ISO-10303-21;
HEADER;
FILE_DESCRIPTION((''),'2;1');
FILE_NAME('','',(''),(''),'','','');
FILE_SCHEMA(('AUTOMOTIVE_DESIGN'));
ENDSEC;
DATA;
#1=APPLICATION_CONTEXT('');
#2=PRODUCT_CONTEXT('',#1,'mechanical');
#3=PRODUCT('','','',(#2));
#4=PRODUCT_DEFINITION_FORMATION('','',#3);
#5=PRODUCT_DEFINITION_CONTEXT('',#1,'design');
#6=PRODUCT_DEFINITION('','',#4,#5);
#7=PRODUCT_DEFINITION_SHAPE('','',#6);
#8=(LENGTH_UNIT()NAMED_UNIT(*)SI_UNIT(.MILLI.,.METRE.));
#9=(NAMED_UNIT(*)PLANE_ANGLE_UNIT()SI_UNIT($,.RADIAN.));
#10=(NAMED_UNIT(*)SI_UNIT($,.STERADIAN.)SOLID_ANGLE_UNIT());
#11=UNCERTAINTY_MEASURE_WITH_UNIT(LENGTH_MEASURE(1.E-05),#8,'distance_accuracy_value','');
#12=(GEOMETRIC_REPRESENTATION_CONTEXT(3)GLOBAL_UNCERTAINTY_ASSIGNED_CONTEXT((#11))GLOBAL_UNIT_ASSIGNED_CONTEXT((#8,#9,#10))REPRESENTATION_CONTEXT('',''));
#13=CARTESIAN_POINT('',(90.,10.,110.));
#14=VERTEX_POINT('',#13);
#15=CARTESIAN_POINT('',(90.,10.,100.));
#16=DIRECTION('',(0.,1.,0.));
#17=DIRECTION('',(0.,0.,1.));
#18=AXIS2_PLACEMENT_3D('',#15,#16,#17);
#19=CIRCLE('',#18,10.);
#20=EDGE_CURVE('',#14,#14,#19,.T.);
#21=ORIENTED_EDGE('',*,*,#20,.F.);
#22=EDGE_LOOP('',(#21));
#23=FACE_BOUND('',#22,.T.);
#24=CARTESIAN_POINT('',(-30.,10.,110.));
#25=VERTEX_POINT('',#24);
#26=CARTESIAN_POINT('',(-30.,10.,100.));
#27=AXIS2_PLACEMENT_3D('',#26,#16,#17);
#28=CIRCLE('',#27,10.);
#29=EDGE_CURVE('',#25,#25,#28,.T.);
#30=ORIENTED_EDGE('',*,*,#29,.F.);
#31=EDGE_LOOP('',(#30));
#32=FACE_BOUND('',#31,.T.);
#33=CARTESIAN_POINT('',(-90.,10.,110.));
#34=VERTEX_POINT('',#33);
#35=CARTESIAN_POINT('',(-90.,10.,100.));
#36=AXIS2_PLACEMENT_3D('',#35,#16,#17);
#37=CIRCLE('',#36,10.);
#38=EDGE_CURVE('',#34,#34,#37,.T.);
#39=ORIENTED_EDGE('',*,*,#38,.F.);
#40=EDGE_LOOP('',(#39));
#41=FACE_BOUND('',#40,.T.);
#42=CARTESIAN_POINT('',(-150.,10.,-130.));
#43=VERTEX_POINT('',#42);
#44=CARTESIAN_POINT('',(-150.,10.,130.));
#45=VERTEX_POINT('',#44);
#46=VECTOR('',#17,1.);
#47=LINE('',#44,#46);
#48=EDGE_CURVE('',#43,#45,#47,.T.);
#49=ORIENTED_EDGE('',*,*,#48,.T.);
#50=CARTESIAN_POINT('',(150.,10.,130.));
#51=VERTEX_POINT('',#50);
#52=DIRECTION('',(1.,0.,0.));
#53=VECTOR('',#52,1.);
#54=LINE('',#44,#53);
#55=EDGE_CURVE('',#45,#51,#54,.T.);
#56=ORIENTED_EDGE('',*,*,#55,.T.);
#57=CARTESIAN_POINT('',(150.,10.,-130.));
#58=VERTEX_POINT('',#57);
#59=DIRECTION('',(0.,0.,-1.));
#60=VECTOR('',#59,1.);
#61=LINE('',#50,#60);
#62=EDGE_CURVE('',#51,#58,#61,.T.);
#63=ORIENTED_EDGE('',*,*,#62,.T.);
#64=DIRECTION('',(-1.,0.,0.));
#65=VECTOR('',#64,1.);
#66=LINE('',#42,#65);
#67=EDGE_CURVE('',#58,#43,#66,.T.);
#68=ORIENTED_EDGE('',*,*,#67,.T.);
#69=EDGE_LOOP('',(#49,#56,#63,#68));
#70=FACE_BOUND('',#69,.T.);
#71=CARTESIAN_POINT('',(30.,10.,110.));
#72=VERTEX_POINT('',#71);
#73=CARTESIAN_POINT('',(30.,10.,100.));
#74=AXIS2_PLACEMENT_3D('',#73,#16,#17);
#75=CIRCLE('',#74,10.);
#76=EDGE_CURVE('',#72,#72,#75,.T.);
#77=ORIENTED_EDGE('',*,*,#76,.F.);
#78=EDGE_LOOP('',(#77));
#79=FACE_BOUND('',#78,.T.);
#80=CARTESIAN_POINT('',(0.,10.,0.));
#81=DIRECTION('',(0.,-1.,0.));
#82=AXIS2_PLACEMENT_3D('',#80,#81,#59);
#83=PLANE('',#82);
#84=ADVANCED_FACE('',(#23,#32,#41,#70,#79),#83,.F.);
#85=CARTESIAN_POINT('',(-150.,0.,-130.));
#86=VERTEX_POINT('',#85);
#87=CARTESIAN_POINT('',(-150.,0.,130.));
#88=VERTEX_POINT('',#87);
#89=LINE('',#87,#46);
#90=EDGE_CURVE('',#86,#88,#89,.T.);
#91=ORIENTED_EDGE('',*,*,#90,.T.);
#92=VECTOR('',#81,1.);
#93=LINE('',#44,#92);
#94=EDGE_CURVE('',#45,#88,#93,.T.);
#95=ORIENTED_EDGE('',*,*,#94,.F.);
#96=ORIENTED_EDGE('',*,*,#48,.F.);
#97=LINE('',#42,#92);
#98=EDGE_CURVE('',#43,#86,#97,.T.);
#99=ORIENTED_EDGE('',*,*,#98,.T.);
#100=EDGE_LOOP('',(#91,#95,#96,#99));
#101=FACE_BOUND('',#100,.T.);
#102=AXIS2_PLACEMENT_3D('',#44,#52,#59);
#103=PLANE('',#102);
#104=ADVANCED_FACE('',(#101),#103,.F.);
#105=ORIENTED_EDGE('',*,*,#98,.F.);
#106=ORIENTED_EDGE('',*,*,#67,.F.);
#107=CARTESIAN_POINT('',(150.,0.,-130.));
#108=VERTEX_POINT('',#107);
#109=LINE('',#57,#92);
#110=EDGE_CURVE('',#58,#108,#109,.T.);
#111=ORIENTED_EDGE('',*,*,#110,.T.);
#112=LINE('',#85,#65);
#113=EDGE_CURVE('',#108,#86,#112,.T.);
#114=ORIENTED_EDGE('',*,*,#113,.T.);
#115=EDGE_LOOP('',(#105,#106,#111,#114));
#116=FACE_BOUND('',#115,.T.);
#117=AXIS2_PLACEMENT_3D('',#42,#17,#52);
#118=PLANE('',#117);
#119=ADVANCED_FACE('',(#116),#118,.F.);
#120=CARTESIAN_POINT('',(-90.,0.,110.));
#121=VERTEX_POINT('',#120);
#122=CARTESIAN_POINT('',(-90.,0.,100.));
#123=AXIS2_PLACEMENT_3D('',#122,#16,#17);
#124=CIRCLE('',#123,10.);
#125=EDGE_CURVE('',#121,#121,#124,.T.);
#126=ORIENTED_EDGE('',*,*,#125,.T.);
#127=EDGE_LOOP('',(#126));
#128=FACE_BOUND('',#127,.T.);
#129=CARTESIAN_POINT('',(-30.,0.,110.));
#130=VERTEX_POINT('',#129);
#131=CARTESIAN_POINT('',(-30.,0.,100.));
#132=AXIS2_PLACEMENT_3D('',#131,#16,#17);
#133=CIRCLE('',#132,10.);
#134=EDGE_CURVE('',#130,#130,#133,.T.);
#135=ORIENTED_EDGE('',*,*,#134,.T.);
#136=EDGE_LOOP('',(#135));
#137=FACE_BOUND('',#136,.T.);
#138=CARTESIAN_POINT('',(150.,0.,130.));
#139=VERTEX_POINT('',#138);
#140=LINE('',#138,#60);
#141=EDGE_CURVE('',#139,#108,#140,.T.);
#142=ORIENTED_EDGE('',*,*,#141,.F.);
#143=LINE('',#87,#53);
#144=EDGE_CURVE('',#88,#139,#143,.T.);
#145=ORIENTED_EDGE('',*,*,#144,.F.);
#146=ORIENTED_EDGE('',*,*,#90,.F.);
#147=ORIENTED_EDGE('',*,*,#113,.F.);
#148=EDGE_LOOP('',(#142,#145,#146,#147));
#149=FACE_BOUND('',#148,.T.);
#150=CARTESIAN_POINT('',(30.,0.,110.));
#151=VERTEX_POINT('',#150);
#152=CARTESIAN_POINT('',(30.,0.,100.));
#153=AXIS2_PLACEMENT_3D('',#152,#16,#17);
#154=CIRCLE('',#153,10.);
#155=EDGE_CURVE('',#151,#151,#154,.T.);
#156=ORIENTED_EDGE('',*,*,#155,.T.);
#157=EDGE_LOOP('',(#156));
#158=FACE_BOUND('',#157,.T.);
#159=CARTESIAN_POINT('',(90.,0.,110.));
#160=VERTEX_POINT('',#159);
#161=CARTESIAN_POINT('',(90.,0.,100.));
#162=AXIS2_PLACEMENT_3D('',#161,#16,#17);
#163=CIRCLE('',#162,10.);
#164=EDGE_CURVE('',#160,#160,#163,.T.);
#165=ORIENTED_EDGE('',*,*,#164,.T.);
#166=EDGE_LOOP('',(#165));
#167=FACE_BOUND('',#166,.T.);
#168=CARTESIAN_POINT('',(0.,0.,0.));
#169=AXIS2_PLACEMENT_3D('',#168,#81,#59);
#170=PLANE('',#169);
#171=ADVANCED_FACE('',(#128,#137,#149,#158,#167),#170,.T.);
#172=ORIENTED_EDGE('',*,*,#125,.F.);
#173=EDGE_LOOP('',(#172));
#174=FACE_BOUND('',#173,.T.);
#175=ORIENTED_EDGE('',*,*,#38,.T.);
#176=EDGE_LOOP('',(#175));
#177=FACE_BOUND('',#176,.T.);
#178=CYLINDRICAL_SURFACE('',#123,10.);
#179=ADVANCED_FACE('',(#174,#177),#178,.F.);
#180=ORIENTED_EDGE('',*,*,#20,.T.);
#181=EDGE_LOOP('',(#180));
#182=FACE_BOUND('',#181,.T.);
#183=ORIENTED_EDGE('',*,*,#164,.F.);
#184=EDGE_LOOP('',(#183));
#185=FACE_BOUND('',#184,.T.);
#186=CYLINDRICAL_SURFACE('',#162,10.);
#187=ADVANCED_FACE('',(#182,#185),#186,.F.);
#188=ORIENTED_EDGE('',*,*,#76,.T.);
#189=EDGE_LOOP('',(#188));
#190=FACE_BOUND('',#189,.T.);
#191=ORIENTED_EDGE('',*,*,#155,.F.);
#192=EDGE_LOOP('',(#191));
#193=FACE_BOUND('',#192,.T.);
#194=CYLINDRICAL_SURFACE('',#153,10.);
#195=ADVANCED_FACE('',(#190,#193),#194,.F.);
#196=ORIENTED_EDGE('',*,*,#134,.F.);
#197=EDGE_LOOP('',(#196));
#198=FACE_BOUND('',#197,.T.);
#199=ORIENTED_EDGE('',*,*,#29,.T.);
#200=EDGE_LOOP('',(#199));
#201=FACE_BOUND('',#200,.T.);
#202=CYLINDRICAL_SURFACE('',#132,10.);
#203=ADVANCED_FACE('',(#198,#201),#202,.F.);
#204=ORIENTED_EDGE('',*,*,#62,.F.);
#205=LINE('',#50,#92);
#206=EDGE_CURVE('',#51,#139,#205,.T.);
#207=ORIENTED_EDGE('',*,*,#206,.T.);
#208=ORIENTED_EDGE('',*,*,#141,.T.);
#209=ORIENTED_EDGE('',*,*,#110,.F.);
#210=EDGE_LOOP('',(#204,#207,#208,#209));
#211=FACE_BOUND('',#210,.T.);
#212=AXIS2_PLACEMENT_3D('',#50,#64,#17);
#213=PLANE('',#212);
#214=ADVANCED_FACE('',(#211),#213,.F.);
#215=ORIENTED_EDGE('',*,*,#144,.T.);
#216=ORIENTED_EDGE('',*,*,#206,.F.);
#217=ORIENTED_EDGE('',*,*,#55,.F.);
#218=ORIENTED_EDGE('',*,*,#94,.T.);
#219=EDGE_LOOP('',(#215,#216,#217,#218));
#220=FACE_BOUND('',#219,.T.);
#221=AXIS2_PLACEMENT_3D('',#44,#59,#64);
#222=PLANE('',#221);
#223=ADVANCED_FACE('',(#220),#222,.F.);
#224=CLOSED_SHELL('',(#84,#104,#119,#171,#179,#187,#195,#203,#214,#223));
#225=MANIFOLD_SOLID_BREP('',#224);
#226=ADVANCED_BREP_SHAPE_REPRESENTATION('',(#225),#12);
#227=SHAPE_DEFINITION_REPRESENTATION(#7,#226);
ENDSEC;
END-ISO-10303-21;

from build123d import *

# Parameters (mm, degrees)
SKETCH1_W           = 300
SKETCH1_H           = 260
BOSS_EXTRUDE1_DEPTH = 10
SKETCH2_R           = 10
CUT_EXTRUDE1_DEPTH  = 199.746069144
LPATTERN1_COUNT     = 4
LPATTERN1_PITCH     = 60


with BuildPart() as part:
    # Sketch1 → Boss-Extrude1 (new body)
    with BuildSketch(Plane(origin=(0, 0, 0), x_dir=(1, 0, 0), z_dir=(0, 1, 0))):
        Rectangle(SKETCH1_W, SKETCH1_H)
    extrude(amount=BOSS_EXTRUDE1_DEPTH)

    # Sketch2 → Cut-Extrude1 (cut, through all)
    with BuildSketch(Plane(origin=(0, 10, 0), x_dir=(1, 0, 0), z_dir=(0, 1, 0))):
        with Locations(Location((-90, -100, 0), (0, 0, 270))):
            Circle(SKETCH2_R)
    cut_extrude1 = extrude(amount=-CUT_EXTRUDE1_DEPTH, mode=Mode.SUBTRACT)

    # LPattern1: Cut-Extrude1 ×4
    with Locations(*[(i * LPATTERN1_PITCH, 0, 0) for i in range(1, LPATTERN1_COUNT)]):
        add(cut_extrude1, mode=Mode.SUBTRACT)


solid = part.part
